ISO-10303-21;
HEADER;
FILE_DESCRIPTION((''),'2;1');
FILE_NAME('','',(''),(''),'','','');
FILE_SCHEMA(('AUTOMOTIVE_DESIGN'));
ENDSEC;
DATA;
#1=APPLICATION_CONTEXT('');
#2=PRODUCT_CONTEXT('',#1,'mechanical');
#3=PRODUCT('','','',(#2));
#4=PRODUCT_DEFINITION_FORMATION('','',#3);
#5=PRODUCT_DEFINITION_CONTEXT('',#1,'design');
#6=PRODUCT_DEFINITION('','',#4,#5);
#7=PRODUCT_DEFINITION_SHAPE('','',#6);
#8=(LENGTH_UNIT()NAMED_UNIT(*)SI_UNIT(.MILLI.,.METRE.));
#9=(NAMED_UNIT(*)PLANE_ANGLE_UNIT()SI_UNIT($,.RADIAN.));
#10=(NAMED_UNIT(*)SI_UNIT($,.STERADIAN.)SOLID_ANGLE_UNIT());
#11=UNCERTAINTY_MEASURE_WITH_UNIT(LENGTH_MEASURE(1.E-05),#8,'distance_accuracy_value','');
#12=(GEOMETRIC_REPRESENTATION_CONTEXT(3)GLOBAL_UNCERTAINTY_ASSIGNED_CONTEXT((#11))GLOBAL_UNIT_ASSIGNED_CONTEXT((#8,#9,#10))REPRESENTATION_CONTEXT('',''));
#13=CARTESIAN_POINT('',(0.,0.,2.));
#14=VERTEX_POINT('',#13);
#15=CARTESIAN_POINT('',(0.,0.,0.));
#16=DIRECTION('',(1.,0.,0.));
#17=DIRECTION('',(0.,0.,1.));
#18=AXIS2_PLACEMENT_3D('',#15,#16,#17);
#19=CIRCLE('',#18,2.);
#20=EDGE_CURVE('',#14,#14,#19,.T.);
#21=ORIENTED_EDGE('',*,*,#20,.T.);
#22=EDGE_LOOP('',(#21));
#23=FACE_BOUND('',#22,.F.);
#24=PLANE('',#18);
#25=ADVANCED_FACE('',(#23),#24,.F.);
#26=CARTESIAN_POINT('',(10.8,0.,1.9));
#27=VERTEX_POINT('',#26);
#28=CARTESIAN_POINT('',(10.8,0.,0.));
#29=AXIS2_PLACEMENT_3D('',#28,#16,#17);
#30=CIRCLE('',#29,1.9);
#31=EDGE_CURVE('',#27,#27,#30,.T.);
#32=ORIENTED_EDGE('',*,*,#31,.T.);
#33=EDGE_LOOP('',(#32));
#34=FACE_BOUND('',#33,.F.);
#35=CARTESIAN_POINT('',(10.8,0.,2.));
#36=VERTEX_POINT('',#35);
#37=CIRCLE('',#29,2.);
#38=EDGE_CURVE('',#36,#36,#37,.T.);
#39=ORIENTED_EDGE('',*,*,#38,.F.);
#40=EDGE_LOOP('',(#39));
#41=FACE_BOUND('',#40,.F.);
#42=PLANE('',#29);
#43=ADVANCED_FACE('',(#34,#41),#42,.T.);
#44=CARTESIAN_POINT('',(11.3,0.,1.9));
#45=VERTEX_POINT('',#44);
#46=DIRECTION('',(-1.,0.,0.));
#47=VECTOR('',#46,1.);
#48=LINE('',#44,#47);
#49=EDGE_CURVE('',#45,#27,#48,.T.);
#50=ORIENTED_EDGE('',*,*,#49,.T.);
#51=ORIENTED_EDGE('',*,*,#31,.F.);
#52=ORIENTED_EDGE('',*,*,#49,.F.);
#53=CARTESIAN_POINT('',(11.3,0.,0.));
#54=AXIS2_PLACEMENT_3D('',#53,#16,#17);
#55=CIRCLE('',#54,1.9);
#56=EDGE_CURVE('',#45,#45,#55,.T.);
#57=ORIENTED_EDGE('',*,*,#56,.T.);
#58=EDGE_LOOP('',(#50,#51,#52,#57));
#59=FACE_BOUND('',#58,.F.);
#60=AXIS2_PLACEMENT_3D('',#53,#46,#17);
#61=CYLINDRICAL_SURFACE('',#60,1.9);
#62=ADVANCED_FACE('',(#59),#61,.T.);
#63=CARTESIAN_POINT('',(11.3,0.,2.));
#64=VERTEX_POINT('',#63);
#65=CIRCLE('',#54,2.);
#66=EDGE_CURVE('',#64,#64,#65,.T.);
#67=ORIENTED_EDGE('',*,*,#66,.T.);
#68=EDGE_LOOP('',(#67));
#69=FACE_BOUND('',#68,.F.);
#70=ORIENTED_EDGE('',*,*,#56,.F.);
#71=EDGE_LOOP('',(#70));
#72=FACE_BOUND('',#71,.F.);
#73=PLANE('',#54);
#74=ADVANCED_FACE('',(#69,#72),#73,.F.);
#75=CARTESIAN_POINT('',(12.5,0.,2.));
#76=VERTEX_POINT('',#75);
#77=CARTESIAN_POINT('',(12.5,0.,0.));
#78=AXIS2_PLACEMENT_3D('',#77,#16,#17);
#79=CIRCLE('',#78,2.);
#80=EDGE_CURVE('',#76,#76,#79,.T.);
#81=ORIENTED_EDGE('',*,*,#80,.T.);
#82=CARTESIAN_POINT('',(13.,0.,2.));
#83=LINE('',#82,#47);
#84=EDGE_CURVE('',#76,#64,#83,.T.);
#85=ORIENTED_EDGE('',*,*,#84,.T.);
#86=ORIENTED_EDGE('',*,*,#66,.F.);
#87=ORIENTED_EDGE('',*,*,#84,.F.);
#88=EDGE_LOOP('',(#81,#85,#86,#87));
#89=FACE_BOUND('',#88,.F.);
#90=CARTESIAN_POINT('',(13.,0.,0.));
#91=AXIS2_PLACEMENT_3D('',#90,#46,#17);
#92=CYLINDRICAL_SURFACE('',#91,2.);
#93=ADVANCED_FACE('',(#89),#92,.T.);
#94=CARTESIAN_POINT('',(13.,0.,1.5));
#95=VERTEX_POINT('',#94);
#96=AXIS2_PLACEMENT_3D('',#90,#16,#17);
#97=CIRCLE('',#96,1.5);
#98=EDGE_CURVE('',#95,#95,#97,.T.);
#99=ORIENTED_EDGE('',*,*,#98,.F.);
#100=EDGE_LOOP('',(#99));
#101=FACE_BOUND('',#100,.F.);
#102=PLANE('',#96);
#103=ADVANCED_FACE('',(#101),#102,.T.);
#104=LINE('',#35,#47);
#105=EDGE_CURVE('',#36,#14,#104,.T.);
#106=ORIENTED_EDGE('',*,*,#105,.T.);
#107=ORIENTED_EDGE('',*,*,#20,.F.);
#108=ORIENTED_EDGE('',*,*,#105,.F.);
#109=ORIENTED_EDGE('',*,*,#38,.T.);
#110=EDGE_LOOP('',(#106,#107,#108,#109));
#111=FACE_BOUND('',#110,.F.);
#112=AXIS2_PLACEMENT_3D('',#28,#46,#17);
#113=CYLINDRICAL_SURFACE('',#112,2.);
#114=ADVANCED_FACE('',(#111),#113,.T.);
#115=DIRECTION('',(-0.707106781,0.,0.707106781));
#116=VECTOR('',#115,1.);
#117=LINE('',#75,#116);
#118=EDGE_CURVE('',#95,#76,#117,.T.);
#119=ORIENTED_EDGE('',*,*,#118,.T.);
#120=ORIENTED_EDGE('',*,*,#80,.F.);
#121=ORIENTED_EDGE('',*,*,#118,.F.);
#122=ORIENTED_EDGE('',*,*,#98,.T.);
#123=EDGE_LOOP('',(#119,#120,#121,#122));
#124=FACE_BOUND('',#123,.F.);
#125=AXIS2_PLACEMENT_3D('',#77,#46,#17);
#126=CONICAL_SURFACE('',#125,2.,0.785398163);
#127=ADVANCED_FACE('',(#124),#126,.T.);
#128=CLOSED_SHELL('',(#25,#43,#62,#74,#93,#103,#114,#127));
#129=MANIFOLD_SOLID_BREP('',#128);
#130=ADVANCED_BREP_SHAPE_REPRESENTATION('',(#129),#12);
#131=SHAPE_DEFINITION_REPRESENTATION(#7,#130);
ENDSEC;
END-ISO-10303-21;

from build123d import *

# Parameters (mm, degrees)
F2_SIZE = 0.5


with BuildPart() as f1:
    # F0 (on Front) → F1 (revolve)
    with BuildSketch(Plane.XZ):
        Polygon((0, 2), (0, 0), (13, 0), (13, 2), (11.3, 2), (11.3, 1.9), (10.8, 1.9), (10.8, 2), align=None)
    revolve(axis=Axis((1.266059, 0, 0), (1, 0, 0)))

    # F2
    f2_edges = [f1.edges().sort_by_distance(p)[0] for p in [
        (13, 0, -2),
    ]]
    chamfer(f2_edges, length=F2_SIZE)


solid = f1.part
